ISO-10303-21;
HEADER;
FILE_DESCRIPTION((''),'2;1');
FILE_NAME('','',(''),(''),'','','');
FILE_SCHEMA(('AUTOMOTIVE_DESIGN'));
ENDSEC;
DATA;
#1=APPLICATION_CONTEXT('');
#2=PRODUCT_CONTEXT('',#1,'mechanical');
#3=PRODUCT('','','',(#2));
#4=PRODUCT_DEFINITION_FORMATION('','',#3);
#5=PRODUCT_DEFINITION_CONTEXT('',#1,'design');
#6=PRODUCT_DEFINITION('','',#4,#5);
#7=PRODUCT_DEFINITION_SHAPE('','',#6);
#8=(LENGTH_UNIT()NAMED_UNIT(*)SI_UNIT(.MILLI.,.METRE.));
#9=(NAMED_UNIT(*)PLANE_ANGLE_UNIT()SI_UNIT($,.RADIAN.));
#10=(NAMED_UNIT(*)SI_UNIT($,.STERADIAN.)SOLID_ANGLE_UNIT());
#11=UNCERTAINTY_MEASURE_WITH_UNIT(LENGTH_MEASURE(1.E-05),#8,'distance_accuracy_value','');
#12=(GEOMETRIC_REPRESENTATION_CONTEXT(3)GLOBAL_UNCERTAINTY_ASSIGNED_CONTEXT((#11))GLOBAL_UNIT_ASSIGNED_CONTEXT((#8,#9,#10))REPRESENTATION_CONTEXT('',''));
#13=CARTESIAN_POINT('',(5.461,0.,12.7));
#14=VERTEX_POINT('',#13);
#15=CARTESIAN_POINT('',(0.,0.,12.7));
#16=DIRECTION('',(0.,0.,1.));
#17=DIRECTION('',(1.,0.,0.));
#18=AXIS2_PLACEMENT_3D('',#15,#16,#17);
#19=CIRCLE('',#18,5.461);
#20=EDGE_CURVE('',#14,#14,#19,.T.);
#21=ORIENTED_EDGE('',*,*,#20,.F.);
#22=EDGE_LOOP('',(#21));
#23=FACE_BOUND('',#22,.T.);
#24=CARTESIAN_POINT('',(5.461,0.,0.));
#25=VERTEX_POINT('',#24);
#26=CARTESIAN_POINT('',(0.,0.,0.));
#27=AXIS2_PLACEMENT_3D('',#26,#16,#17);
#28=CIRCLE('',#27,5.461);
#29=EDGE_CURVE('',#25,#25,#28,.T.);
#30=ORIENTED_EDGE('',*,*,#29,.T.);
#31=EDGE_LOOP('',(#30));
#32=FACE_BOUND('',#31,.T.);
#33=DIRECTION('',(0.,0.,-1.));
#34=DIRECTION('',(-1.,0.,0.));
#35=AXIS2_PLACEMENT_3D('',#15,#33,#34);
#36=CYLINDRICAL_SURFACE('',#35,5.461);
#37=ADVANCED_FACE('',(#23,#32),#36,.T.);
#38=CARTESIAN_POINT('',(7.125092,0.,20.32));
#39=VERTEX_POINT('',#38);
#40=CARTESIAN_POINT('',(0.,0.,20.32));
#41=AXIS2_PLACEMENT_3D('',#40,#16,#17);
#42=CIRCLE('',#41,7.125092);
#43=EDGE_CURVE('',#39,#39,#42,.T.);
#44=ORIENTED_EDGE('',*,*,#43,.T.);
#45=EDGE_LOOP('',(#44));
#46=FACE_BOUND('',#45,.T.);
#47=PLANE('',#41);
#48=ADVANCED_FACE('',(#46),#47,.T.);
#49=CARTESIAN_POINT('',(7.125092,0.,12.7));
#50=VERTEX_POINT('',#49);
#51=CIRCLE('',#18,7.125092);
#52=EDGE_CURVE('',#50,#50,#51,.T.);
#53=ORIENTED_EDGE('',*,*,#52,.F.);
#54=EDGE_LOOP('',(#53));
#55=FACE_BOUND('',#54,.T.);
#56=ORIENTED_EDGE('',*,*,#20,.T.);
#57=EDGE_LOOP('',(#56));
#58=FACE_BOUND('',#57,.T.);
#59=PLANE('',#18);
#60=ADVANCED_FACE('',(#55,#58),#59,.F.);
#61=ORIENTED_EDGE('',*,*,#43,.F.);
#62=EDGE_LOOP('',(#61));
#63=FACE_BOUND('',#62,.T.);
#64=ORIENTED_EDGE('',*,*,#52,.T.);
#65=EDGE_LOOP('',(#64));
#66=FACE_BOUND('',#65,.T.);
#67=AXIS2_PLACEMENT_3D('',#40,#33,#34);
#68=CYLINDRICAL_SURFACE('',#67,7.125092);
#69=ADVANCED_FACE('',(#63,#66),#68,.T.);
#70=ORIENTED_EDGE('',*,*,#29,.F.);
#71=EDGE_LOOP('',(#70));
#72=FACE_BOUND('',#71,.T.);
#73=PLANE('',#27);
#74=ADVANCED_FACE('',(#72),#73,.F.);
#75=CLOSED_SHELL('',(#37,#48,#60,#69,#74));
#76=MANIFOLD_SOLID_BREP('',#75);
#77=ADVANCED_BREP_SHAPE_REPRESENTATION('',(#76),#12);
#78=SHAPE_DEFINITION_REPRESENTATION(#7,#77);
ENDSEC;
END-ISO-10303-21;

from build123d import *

# Parameters (mm, degrees)
SKETCH1_R      = 5.461
EXTRUDE1_DEPTH = 12.7
SKETCH2_R      = 7.125092069
EXTRUDE2_DEPTH = 7.62


with BuildPart() as part:
    # Sketch1 → Extrude1 (new body)
    with BuildSketch(Plane.XY):
        Circle(SKETCH1_R)
    extrude(amount=EXTRUDE1_DEPTH)

    # Sketch2 → Extrude2 (add)
    with BuildSketch(Plane.XY.offset(12.7)):
        Circle(SKETCH2_R)
    extrude(amount=EXTRUDE2_DEPTH)


solid = part.part
